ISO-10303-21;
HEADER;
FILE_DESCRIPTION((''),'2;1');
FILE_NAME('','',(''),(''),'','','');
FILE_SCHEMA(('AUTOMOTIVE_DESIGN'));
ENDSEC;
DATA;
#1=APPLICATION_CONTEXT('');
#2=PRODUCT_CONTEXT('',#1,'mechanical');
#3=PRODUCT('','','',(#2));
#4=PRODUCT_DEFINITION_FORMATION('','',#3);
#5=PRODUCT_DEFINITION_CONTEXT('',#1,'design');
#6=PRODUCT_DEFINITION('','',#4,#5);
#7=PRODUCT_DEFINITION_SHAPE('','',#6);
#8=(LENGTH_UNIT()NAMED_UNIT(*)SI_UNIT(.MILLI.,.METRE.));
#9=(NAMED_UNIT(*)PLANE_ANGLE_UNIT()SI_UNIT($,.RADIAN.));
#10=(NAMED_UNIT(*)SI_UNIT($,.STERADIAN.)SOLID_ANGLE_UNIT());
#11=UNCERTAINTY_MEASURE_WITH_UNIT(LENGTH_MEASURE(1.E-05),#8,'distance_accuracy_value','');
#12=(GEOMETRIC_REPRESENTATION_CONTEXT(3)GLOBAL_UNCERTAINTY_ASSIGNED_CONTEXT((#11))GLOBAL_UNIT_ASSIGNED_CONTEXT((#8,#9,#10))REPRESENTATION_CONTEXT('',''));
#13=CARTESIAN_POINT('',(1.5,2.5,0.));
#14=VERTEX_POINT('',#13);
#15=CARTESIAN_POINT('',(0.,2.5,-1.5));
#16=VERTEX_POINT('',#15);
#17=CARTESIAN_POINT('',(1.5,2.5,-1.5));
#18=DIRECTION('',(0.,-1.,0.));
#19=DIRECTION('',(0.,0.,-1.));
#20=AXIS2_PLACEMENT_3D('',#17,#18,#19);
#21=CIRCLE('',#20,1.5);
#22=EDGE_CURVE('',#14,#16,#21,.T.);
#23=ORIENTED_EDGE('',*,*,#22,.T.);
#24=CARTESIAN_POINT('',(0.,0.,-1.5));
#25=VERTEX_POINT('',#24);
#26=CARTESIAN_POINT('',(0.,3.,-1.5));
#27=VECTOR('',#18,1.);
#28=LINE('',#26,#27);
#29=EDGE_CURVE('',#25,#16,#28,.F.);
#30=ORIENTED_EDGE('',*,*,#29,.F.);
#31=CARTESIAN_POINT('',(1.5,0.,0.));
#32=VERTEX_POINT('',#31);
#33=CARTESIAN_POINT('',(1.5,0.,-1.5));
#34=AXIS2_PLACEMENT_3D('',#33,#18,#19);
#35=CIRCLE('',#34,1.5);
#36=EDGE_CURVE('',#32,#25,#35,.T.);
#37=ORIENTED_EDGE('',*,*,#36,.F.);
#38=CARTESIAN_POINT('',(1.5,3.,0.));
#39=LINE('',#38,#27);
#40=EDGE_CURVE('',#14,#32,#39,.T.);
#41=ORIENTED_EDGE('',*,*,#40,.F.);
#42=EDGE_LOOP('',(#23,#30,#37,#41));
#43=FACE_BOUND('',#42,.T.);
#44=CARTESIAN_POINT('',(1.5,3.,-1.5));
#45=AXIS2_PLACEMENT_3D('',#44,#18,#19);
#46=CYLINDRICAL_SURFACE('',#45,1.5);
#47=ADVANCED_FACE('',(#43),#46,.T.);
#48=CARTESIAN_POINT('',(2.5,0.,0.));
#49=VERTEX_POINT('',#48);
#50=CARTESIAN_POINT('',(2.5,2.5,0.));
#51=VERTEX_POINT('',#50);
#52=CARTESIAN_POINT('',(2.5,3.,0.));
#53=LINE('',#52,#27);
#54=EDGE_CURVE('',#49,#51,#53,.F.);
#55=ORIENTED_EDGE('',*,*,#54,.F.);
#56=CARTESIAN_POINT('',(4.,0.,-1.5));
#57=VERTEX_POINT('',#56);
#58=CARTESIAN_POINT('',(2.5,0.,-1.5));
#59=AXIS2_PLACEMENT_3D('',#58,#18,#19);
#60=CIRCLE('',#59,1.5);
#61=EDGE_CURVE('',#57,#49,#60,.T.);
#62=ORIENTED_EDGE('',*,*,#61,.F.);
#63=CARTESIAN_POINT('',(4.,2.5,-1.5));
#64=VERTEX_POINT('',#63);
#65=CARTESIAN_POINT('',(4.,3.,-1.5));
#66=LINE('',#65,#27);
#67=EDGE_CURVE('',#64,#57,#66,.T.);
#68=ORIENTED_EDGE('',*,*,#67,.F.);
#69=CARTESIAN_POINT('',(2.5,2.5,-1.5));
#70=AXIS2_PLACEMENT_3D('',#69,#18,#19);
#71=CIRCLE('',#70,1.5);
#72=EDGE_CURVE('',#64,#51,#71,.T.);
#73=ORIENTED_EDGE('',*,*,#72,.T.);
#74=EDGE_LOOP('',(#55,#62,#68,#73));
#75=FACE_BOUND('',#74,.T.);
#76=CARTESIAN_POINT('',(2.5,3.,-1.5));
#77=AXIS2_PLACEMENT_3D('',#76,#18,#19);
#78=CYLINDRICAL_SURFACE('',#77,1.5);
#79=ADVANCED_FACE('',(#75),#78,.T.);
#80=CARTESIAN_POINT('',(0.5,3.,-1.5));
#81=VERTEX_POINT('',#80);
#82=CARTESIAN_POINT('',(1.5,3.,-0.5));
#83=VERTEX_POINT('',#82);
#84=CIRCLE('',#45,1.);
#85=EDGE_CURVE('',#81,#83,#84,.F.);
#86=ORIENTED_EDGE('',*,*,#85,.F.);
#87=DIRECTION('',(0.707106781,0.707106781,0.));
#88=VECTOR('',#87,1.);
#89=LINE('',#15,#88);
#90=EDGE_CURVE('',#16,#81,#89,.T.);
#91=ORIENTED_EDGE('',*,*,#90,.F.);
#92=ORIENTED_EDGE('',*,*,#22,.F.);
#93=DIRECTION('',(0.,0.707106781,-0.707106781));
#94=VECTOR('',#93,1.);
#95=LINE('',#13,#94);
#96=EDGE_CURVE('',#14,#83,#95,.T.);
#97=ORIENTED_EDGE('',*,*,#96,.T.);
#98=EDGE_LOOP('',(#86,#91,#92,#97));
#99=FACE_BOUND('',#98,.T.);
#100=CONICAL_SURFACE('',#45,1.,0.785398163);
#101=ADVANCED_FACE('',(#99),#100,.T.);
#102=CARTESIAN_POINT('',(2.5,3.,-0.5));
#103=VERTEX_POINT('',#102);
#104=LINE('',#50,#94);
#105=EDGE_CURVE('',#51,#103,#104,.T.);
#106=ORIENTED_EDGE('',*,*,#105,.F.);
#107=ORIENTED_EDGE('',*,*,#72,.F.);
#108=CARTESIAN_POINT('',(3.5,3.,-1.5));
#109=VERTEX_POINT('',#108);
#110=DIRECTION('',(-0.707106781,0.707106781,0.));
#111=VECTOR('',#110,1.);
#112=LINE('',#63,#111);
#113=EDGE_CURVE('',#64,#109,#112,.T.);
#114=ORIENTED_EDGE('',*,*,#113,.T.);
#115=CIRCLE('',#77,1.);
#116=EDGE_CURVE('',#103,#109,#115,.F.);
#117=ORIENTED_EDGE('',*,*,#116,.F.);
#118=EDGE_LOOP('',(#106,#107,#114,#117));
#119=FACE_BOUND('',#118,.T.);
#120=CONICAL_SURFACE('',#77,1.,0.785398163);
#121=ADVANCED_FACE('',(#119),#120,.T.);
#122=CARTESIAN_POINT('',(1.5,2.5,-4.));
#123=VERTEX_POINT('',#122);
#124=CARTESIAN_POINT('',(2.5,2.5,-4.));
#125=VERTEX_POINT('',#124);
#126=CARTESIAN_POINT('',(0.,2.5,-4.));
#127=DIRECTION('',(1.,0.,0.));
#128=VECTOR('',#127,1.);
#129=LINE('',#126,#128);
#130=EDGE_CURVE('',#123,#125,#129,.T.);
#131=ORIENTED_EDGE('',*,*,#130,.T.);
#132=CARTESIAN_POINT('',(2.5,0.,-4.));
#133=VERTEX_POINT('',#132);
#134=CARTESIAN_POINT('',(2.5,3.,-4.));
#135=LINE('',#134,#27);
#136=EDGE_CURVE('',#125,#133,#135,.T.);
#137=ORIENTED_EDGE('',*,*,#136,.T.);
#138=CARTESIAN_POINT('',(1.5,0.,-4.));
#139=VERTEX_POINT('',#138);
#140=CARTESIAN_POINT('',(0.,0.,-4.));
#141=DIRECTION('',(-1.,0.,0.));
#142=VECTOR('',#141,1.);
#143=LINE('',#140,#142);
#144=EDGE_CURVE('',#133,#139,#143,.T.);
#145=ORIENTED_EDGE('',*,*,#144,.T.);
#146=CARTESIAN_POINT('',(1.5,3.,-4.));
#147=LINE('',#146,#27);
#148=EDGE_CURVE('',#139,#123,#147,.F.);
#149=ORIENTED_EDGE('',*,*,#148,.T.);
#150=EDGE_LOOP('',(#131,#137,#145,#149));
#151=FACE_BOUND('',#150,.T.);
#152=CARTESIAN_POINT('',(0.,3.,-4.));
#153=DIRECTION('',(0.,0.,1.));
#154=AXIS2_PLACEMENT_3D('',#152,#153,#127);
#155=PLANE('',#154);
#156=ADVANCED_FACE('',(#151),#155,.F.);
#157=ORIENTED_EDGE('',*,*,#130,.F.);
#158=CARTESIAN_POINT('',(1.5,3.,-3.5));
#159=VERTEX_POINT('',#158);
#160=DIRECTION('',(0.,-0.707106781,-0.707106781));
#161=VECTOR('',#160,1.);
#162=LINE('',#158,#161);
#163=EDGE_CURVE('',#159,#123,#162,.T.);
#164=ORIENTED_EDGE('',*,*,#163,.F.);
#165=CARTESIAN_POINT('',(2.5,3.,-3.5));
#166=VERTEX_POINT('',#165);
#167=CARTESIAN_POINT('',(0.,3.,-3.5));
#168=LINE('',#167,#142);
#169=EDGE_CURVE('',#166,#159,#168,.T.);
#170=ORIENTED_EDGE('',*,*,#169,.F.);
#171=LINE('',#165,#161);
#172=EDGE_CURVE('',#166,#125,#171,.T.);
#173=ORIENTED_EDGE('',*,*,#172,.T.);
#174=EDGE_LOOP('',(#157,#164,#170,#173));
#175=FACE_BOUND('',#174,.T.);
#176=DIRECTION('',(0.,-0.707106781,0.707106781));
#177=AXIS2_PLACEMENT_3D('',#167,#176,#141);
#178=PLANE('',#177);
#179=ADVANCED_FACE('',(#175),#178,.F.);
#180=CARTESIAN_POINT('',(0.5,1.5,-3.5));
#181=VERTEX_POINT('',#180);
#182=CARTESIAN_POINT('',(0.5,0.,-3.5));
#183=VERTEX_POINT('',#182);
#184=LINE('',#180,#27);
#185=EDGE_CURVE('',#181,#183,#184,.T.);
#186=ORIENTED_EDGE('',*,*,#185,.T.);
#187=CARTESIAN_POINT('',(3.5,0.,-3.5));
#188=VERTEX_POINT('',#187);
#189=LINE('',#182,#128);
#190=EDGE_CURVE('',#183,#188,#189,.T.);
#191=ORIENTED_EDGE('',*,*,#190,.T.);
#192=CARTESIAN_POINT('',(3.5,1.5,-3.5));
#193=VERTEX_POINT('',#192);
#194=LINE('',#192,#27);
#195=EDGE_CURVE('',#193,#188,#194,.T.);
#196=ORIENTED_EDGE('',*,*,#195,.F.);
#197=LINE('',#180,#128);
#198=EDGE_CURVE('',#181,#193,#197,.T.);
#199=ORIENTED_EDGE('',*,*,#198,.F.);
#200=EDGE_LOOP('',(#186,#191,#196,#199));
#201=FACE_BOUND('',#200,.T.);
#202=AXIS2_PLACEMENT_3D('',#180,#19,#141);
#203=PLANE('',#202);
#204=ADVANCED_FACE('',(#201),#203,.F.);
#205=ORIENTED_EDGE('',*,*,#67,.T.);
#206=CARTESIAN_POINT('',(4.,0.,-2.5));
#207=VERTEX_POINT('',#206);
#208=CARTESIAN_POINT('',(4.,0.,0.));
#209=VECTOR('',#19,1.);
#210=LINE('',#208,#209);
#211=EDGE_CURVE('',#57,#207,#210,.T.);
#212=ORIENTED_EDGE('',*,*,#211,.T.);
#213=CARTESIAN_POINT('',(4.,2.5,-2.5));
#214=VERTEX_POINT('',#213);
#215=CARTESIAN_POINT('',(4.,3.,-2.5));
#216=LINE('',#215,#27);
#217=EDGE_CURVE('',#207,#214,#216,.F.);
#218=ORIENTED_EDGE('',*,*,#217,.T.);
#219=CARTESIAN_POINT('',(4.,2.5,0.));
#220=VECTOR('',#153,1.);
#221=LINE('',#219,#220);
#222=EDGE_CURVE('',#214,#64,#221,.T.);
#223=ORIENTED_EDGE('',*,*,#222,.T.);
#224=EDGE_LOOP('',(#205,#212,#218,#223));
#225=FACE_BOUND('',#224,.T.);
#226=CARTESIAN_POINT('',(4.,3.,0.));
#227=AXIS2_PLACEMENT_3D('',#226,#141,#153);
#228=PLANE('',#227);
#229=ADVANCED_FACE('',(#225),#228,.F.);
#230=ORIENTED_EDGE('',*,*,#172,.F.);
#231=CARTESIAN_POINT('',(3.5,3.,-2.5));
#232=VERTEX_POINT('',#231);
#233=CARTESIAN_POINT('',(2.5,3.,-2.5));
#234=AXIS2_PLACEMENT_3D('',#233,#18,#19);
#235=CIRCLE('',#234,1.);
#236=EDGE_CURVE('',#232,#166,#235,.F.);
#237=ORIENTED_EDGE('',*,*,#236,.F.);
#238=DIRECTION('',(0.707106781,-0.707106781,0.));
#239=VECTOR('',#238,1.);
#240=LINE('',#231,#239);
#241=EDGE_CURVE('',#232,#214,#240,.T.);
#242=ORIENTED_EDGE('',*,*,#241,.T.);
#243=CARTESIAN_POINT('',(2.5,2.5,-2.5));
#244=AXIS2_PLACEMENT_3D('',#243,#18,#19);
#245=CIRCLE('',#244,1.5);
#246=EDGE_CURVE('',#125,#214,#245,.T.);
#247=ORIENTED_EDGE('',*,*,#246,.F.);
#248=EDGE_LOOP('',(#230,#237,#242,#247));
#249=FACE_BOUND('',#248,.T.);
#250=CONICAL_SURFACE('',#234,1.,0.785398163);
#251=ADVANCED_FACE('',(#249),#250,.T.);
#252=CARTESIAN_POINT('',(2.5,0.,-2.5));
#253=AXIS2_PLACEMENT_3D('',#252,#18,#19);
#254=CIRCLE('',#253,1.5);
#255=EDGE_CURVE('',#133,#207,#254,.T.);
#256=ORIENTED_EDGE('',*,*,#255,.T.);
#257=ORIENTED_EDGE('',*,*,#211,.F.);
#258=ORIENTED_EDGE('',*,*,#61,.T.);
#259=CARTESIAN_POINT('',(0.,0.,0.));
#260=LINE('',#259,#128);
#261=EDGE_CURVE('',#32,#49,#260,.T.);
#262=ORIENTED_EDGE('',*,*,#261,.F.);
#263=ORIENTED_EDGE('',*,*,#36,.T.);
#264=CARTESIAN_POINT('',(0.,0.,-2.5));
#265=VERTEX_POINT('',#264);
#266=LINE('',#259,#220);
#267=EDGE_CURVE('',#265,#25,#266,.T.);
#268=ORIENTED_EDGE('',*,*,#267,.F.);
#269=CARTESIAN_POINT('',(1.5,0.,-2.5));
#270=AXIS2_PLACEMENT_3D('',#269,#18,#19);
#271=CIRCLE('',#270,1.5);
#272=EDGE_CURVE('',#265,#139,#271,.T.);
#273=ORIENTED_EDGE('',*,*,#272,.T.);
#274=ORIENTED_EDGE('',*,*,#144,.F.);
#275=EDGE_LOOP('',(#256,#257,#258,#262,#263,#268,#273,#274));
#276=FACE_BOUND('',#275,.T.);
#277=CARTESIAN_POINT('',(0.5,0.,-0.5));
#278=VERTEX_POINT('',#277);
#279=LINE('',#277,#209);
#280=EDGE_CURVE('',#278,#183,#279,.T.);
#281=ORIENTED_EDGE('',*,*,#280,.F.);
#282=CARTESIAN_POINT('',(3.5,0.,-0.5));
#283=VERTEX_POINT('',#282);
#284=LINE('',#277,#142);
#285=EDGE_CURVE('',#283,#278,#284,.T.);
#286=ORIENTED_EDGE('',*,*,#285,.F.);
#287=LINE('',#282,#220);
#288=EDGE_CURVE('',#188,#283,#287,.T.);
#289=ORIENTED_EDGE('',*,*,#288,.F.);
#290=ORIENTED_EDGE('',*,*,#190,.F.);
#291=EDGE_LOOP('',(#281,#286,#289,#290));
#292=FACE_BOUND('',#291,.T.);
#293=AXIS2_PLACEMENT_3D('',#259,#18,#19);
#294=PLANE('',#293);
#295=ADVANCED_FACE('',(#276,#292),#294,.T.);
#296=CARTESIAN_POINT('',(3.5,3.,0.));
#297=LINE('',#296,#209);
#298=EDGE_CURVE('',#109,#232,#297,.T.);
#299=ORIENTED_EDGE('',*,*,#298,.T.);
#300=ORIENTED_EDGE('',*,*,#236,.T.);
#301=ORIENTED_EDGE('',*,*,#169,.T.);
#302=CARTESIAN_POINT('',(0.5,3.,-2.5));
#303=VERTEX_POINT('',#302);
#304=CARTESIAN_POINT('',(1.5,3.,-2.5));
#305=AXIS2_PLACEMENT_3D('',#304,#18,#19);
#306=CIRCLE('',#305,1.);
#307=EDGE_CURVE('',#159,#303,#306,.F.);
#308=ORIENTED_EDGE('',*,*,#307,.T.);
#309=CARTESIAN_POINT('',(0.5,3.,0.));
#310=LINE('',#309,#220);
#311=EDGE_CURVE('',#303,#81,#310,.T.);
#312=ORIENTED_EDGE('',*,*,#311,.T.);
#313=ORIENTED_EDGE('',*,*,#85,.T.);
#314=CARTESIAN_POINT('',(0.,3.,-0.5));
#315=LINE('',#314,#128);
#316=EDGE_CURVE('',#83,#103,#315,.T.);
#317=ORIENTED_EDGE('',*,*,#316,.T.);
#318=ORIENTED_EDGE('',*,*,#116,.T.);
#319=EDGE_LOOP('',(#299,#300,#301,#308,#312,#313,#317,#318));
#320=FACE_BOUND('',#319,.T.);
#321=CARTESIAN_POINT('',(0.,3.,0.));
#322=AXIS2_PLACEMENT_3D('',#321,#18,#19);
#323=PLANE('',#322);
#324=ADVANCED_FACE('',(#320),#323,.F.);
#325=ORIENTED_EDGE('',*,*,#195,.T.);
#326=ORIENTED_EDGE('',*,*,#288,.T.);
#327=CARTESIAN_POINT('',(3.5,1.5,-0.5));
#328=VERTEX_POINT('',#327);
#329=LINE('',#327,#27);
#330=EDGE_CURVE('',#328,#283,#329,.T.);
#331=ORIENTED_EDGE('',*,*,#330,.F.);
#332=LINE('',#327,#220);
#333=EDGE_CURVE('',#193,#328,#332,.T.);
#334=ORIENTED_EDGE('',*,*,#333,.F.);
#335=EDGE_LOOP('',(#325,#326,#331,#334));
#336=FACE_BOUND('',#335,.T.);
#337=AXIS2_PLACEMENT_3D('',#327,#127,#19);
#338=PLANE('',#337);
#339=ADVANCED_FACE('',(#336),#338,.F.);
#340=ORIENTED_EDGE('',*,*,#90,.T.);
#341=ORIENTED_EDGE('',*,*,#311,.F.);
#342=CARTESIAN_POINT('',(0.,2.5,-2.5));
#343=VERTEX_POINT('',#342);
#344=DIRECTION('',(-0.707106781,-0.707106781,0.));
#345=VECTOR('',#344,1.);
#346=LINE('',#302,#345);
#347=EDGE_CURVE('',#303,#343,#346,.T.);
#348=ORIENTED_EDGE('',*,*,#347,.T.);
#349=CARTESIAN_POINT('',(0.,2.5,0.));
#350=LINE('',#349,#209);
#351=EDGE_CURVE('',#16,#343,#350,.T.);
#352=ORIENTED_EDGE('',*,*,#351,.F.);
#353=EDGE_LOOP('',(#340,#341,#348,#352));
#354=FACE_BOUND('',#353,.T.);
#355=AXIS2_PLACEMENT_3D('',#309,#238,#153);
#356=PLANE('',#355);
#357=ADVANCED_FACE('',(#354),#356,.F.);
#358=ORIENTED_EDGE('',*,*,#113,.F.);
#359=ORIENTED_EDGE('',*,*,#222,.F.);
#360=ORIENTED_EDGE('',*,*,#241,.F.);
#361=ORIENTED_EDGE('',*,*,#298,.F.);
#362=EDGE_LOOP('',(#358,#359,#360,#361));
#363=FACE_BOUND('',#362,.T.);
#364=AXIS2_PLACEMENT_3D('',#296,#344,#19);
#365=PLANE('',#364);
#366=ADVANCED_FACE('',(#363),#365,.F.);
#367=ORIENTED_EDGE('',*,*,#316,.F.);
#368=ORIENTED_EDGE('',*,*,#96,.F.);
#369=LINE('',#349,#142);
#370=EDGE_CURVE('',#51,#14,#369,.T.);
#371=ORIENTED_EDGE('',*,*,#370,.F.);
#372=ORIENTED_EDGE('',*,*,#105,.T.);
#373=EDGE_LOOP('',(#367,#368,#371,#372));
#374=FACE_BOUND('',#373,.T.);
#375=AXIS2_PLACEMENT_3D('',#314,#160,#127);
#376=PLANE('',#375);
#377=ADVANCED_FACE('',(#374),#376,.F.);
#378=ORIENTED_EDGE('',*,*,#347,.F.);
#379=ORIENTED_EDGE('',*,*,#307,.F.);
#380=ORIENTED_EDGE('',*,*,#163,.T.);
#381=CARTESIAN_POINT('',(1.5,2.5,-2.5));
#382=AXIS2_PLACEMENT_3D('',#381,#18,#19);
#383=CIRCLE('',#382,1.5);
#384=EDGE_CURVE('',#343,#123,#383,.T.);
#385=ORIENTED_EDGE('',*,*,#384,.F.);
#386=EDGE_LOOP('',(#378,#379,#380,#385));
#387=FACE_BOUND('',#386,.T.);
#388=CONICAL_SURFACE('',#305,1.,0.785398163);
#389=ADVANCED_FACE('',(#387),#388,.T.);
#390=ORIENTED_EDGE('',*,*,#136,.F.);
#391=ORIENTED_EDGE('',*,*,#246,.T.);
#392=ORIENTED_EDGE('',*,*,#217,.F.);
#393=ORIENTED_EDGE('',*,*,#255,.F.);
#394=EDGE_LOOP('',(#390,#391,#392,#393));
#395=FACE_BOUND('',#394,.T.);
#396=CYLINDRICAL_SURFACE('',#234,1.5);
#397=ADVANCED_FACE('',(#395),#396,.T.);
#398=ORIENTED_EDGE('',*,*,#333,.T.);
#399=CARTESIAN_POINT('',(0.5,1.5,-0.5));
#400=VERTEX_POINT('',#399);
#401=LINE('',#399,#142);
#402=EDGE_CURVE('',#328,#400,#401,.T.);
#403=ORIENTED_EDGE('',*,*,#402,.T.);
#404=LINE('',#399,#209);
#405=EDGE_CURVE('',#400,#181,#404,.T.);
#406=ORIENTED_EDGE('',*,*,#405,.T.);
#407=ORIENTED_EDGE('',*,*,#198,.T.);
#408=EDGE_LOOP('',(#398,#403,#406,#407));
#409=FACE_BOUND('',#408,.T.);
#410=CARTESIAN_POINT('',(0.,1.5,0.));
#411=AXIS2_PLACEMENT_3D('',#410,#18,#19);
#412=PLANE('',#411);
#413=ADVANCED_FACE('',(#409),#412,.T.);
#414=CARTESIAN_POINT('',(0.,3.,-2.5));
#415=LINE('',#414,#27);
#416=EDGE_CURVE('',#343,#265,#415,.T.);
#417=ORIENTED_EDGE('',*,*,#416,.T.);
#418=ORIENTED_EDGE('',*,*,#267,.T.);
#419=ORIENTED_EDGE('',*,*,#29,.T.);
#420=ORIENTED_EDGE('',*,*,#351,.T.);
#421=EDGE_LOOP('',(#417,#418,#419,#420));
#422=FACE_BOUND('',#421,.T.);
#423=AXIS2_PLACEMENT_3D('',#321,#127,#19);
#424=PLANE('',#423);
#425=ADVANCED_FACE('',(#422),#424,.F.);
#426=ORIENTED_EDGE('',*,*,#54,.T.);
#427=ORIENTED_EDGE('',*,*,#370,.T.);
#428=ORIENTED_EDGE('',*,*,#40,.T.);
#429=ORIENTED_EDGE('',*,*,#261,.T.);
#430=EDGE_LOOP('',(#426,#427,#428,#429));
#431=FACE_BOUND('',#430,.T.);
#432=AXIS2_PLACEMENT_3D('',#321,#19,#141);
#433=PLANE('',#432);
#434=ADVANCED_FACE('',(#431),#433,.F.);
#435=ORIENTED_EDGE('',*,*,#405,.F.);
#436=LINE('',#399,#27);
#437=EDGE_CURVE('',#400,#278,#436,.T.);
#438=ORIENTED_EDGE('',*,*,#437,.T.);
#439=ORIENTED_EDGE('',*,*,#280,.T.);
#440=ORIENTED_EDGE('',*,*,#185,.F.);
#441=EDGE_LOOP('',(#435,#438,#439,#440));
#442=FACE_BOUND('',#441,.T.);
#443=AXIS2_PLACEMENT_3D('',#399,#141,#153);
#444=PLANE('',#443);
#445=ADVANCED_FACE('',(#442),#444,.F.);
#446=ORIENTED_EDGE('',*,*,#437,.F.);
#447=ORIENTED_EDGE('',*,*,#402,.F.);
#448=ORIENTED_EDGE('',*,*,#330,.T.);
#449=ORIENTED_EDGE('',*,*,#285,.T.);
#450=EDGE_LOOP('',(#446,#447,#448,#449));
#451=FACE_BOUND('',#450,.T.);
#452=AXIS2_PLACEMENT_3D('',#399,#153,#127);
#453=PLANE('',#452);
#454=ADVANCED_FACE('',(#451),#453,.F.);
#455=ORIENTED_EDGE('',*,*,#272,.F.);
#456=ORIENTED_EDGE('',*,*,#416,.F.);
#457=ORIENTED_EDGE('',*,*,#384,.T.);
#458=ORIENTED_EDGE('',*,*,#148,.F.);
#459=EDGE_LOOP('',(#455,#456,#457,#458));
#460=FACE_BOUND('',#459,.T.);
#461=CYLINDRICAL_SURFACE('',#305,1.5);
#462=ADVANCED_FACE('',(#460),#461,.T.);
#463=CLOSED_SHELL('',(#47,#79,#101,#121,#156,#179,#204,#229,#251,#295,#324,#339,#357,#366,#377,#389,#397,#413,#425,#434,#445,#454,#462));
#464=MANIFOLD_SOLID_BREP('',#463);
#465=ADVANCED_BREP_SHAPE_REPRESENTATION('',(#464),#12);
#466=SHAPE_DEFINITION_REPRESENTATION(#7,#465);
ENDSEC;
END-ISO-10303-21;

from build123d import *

# Parameters (mm, degrees)
CROQUIS1_W              = 4
CROQUIS1_H              = 4
SALIENTE_EXTRUIR1_DEPTH = 3
CROQUIS2_W              = 3
CROQUIS2_H              = 3
CORTAR_EXTRUIR1_DEPTH   = 1.5
REDONDEO1_R             = 1.5
CHAFL_N1_SIZE           = 0.5


with BuildPart() as part:
    # Croquis1 → Saliente-Extruir1 (new body)
    with BuildSketch(Plane(origin=(0, 0, 0), x_dir=(1, 0, 0), z_dir=(0, 1, 0))):
        with Locations((2, 2)):
            Rectangle(CROQUIS1_W, CROQUIS1_H)
    extrude(amount=SALIENTE_EXTRUIR1_DEPTH)

    # Croquis2 → Cortar-Extruir1 (cut)
    with BuildSketch(Plane.XZ):
        with Locations((2, -2)):
            Rectangle(CROQUIS2_W, CROQUIS2_H)
    extrude(amount=-CORTAR_EXTRUIR1_DEPTH, mode=Mode.SUBTRACT)

    # Redondeo1
    redondeo1_edges = [part.edges().sort_by_distance(p)[0] for p in [
        (0, 1.5, -4),
        (4, 1.5, -4),
        (4, 1.5, 0),
        (0, 1.5, 0),
    ]]
    fillet(redondeo1_edges, radius=REDONDEO1_R)

    # Chaflán1
    chafl_n1_edges = [part.edges().sort_by_distance(p)[0] for p in [
        (2, 3, 0),
        (0, 3, -2),
        (4, 3, -2),
        (2, 3, -4),
        (3.560660172, 3, -0.439339828),
        (3.560660172, 3, -3.560660172),
        (0.439339828, 3, -3.560660172),
        (0.439339828, 3, -0.439339828),
    ]]
    chamfer(chafl_n1_edges, length=CHAFL_N1_SIZE)


solid = part.part
